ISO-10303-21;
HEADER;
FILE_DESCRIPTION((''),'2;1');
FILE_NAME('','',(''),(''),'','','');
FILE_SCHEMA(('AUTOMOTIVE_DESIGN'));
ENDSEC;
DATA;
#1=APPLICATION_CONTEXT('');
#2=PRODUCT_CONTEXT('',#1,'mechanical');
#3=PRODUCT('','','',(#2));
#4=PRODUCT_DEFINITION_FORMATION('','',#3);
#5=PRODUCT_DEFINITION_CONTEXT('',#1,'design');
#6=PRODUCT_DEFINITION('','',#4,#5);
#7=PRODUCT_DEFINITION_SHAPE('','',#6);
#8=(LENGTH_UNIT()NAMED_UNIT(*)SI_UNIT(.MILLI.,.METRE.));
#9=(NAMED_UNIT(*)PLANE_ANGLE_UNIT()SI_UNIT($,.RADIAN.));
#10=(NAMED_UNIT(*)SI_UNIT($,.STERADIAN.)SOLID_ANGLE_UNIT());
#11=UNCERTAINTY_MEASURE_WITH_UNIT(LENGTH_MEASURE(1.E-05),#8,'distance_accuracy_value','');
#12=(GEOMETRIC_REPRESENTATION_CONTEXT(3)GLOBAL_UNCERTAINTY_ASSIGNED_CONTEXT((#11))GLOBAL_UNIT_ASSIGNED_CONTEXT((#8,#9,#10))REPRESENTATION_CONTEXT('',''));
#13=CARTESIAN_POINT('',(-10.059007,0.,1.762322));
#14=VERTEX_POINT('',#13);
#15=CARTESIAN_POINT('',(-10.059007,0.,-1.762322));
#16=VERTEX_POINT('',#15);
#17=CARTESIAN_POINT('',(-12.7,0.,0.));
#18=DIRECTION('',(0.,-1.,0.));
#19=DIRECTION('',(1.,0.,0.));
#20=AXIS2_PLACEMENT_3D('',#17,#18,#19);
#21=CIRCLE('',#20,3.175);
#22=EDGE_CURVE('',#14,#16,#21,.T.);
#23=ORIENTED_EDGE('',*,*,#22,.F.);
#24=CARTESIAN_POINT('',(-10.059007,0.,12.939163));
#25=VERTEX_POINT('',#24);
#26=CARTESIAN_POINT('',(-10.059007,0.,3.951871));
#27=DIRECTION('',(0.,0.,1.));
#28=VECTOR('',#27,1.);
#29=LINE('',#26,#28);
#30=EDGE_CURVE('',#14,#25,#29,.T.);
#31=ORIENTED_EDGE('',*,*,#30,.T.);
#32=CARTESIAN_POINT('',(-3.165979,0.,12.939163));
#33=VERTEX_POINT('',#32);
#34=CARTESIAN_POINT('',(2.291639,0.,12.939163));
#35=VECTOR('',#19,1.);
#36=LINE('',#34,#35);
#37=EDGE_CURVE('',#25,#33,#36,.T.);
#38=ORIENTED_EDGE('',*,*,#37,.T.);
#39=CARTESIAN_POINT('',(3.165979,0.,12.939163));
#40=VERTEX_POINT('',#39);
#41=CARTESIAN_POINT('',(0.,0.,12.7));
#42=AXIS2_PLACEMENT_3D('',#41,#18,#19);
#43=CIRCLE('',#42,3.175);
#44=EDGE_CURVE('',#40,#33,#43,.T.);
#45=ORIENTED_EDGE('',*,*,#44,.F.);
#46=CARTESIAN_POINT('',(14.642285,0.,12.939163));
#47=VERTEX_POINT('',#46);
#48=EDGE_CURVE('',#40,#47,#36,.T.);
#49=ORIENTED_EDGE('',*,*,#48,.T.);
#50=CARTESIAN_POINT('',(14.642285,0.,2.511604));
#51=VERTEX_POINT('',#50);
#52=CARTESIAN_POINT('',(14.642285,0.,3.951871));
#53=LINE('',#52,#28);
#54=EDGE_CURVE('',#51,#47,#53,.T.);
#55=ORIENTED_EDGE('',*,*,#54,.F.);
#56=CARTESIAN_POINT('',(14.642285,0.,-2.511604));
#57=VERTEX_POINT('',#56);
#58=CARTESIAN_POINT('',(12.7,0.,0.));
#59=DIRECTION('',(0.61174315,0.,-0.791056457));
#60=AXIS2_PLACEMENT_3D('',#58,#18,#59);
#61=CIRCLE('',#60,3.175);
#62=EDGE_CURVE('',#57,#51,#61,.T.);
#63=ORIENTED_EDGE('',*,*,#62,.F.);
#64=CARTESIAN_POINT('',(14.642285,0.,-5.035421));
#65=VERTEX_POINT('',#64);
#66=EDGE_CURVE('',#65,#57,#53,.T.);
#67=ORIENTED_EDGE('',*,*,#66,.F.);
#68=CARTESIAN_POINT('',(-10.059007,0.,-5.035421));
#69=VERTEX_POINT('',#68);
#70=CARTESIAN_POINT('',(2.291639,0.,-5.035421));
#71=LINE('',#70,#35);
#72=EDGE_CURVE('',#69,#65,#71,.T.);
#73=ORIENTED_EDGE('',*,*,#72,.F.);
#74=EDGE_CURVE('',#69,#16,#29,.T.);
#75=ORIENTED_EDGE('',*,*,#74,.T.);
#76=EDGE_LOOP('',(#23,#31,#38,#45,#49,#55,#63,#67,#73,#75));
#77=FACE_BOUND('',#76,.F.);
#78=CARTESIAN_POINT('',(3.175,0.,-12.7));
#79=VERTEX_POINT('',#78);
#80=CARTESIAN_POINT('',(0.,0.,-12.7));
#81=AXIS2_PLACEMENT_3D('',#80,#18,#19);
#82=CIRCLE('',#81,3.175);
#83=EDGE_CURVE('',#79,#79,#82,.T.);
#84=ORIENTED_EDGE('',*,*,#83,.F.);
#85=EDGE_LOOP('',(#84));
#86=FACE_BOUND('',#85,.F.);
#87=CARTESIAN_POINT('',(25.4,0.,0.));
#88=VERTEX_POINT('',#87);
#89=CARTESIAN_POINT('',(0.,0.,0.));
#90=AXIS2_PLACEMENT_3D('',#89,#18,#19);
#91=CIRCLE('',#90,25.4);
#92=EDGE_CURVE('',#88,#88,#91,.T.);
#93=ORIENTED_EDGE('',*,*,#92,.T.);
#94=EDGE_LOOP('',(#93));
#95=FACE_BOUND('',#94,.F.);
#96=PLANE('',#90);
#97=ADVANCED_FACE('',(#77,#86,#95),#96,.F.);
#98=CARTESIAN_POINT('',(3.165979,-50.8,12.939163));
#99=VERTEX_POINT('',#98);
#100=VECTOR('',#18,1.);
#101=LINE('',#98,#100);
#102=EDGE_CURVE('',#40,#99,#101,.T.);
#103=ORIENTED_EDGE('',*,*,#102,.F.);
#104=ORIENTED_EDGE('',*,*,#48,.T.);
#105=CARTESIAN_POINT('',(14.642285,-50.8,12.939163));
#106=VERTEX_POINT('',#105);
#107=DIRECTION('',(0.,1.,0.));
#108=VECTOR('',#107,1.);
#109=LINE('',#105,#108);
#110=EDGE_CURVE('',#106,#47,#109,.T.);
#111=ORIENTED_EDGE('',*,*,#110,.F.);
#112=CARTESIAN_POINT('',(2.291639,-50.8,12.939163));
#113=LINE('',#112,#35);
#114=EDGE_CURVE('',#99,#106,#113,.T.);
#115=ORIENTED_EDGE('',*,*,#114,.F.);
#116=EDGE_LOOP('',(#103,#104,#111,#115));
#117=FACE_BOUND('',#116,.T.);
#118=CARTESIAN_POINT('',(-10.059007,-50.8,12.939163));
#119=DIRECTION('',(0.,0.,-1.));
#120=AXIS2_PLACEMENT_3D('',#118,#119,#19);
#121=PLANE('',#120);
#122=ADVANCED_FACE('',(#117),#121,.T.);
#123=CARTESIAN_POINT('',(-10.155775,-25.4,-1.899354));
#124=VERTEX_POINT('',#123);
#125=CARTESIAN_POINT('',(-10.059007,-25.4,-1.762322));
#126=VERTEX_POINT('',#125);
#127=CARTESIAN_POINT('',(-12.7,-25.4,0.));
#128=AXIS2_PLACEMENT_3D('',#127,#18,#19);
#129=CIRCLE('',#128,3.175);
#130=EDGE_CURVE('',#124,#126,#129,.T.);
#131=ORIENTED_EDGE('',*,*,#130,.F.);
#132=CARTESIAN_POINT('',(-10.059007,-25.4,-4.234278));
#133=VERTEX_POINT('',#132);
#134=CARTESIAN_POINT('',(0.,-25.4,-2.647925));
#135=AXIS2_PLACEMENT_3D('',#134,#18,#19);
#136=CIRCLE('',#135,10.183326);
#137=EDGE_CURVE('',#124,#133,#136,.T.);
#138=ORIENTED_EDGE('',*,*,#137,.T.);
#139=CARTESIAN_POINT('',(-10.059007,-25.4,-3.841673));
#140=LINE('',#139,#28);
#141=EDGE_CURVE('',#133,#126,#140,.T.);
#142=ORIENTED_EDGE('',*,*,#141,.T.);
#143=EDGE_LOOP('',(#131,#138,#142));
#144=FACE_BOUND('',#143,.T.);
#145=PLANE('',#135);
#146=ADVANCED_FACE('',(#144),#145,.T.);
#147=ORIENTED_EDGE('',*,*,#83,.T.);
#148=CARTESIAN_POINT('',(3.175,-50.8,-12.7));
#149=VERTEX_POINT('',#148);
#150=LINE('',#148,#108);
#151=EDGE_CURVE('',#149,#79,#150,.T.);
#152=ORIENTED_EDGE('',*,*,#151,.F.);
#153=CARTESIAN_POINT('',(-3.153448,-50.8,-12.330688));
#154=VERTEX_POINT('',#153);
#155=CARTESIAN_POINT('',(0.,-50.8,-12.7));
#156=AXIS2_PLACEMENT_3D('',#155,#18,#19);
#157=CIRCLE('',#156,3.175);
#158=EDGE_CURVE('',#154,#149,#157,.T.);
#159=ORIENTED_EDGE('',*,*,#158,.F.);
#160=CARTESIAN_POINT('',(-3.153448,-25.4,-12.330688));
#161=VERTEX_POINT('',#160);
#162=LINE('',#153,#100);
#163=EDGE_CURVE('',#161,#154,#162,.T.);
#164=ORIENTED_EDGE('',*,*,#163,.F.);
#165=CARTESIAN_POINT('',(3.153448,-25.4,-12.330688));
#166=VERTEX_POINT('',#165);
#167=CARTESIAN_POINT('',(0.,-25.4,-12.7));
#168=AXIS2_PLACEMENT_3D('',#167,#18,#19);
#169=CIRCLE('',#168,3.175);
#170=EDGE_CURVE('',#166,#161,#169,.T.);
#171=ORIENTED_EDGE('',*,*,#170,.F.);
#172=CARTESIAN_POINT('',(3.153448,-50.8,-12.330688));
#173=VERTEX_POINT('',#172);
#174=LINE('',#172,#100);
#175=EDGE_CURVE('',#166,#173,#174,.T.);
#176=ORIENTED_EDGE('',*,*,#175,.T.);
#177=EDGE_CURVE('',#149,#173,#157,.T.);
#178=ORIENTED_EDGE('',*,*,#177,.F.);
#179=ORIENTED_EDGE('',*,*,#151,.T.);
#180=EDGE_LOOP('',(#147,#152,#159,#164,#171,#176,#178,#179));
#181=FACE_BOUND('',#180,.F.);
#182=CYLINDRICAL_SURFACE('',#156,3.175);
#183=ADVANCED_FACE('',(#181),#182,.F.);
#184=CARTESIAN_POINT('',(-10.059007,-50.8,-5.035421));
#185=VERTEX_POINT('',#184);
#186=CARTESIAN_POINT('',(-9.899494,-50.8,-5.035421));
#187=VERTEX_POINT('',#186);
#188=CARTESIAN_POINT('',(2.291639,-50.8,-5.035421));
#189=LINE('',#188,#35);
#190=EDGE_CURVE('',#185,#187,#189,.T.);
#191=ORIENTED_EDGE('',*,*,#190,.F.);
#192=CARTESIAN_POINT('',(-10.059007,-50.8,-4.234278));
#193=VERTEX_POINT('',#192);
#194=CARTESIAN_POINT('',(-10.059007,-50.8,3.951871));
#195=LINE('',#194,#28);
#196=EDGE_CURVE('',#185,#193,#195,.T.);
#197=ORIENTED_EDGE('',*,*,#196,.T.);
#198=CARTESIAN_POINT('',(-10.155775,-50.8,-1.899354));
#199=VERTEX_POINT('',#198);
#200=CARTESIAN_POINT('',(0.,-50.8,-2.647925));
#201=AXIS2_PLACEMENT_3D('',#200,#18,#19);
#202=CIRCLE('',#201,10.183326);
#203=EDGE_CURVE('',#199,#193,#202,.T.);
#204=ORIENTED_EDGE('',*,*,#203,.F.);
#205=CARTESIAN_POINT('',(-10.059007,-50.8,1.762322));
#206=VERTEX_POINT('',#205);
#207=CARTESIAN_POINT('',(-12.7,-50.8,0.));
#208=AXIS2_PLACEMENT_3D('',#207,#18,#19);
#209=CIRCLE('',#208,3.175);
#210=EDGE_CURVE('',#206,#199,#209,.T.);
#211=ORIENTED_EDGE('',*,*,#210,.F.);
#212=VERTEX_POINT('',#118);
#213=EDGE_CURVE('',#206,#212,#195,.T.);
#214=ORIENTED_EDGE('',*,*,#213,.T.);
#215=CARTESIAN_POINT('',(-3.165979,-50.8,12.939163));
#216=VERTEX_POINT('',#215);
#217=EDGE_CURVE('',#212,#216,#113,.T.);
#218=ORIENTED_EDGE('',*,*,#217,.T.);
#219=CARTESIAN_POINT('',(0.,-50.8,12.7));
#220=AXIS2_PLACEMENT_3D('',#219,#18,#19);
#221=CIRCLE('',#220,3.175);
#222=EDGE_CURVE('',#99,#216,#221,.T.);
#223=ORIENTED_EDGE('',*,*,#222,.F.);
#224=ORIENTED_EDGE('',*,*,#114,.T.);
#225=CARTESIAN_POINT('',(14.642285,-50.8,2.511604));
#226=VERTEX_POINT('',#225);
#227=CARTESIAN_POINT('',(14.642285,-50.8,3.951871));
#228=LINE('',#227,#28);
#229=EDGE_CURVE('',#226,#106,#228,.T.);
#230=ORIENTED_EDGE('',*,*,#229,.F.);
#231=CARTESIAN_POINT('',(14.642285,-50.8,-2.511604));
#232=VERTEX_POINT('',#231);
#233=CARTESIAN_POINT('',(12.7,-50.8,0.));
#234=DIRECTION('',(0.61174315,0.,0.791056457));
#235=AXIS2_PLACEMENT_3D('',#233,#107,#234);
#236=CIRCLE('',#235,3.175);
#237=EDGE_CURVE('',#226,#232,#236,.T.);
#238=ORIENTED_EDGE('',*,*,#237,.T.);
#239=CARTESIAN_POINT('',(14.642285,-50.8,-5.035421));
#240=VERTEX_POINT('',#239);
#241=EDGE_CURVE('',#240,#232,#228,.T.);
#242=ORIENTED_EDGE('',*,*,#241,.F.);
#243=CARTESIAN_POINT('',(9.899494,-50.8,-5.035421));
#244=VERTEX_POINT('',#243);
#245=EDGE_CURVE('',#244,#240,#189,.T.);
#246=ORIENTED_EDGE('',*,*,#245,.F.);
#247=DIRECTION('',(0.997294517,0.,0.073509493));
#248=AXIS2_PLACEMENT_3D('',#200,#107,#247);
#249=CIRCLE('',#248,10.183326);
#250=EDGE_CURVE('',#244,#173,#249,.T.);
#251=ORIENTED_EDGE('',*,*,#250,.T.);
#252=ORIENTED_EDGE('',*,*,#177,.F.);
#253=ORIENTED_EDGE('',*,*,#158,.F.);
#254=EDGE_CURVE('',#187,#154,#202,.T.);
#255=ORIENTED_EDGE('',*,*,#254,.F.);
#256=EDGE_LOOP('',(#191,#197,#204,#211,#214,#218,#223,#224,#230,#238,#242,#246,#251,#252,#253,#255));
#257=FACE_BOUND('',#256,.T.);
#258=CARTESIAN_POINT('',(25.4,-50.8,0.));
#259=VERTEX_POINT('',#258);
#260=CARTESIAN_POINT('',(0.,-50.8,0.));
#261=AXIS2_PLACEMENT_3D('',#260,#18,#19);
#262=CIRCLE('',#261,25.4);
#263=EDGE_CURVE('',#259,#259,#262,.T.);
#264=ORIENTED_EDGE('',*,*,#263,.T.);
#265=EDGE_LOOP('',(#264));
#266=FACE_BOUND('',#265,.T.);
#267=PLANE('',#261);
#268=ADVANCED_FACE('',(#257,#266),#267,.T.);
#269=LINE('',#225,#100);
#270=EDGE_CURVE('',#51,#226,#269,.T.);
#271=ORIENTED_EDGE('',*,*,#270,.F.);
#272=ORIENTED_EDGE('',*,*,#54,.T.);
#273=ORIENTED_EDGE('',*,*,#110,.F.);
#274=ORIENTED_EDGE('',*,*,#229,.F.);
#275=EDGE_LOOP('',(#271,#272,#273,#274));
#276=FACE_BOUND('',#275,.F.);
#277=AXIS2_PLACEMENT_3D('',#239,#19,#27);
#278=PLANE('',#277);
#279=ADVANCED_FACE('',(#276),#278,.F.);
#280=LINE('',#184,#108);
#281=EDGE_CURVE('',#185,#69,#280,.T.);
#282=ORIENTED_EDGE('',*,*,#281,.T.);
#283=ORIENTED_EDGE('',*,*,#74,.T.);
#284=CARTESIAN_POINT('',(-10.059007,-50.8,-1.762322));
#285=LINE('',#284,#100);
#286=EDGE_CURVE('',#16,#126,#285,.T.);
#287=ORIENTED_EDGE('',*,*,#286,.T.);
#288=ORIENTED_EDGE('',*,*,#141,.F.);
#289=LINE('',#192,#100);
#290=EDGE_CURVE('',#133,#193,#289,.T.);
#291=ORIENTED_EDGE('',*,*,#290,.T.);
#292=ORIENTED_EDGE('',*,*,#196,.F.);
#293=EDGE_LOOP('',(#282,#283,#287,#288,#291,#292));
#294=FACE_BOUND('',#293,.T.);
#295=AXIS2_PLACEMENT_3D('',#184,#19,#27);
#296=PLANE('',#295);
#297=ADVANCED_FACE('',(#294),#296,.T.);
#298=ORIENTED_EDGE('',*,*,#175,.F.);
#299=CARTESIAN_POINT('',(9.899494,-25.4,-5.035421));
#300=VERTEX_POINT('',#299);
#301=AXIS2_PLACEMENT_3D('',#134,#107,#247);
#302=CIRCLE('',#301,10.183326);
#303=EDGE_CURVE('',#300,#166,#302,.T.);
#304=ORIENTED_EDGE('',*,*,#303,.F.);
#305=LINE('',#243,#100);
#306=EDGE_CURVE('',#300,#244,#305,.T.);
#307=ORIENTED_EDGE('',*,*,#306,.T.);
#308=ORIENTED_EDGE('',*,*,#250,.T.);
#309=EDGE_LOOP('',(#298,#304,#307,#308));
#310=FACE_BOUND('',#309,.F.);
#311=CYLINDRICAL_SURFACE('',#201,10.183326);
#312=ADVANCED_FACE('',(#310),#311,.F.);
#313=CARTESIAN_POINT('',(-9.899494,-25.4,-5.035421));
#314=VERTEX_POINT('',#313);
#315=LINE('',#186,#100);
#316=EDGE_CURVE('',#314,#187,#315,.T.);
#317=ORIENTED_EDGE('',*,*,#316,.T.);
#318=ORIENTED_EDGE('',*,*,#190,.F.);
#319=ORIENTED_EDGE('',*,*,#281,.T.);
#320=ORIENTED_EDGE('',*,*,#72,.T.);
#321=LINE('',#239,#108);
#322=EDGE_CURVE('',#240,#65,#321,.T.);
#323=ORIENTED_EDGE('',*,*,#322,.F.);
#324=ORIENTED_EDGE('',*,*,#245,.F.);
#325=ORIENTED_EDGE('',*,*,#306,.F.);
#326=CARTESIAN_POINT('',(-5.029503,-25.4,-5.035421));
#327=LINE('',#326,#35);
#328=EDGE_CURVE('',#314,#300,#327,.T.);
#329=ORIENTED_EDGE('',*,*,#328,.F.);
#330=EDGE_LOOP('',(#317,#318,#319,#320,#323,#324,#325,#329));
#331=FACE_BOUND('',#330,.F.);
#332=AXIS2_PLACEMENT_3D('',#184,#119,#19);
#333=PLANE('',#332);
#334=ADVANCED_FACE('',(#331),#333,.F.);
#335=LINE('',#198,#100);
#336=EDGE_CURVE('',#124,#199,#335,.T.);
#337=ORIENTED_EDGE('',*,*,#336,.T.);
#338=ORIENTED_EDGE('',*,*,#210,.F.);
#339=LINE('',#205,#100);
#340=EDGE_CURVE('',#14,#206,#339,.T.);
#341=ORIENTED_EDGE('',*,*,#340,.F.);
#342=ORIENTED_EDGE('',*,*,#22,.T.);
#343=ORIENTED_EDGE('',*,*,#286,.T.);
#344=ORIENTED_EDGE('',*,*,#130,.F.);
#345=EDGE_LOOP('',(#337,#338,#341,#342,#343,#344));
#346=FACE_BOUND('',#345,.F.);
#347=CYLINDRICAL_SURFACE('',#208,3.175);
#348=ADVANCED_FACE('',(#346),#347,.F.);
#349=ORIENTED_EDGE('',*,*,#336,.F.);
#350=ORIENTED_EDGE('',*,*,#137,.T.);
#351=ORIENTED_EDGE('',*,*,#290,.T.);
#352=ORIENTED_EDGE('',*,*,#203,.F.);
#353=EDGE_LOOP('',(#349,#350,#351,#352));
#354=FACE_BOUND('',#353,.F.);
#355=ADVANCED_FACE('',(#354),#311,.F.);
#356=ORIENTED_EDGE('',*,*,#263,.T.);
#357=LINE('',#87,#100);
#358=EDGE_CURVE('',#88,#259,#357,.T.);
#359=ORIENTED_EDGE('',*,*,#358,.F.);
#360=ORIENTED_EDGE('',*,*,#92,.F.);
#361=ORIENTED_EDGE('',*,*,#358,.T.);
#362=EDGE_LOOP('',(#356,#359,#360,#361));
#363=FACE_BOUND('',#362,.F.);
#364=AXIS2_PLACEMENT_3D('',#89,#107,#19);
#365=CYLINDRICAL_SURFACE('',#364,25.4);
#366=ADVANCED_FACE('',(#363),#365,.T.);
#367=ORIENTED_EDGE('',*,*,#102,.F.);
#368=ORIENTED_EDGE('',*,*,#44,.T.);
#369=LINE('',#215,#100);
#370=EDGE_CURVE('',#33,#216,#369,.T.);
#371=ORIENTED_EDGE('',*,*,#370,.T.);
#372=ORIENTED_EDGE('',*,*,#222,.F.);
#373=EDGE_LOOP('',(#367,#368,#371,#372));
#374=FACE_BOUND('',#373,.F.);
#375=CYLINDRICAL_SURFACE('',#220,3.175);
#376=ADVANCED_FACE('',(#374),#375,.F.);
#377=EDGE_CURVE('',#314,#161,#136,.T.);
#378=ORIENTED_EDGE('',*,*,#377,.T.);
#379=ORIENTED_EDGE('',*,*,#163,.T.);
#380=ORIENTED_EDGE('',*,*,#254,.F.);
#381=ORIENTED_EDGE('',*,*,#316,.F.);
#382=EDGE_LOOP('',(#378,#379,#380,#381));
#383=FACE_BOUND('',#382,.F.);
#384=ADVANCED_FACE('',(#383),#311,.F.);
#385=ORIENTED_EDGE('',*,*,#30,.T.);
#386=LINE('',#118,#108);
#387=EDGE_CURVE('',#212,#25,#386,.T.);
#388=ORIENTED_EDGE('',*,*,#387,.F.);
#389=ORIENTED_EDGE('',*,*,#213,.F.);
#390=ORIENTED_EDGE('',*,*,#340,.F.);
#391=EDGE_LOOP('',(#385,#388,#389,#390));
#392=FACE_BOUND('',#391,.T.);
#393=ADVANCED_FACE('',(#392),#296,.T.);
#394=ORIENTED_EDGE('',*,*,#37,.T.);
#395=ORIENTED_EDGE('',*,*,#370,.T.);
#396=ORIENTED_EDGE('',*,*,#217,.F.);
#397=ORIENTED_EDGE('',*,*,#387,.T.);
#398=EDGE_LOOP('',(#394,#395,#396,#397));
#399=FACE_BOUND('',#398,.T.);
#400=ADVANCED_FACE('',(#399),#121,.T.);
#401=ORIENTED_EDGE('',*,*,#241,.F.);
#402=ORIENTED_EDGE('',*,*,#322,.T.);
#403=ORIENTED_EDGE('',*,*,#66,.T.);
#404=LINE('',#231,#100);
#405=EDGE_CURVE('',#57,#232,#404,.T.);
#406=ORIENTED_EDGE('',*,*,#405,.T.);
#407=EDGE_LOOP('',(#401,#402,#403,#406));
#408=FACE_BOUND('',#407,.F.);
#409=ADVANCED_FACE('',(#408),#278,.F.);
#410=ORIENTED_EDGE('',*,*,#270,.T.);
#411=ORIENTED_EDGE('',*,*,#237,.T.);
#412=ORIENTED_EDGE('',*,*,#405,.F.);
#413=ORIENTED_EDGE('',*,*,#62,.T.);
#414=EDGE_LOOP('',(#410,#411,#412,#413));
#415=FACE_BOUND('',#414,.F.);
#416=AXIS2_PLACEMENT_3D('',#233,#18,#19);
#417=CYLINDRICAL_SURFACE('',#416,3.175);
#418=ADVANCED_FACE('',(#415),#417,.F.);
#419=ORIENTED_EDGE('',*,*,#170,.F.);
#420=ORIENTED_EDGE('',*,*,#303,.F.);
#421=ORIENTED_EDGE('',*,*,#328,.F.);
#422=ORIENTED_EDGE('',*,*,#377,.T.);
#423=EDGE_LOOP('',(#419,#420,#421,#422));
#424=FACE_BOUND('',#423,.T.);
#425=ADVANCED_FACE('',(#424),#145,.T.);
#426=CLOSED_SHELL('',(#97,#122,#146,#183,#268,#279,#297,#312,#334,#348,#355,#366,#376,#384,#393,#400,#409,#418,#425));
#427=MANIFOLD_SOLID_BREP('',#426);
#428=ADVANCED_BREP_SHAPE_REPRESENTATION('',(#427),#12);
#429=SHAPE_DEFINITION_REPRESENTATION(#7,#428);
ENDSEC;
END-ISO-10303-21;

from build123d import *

# Parameters (mm, degrees)
F0_R     = 25.4
F1_DEPTH = 50.8
F2_R     = 3.175
F3_DEPTH = 50.8
F4_R     = 10.183326
F5_DEPTH = 25.4
F6_W     = 24.701291
F6_H     = 17.974584
F7_DEPTH = 50.8


with BuildPart() as f1:
    # F0 (on Front) → F1 (new body)
    with BuildSketch(Plane.XZ):
        Circle(F0_R)
    extrude(amount=F1_DEPTH)

    # F2 (on face) → F3 (cut, through all)
    with BuildSketch(Plane.XZ.offset(50.8)):
        with Locations((0, 12.7)):
            Circle(F2_R)
        with Locations((12.7, 0)):
            Circle(F2_R)
        with Locations((0, -12.7)):
            Circle(F2_R)
        with Locations((-12.7, 0)):
            Circle(F2_R)
    extrude(amount=-F3_DEPTH, mode=Mode.SUBTRACT)

    # F4 (on face) → F5 (cut)
    with BuildSketch(Plane.XZ.offset(50.8)):
        with Locations((0, -2.647925)):
            Circle(F4_R)
    extrude(amount=-F5_DEPTH, mode=Mode.SUBTRACT)

    # F6 (on face) → F7 (cut)
    with BuildSketch(Plane.XZ.offset(50.8)):
        with Locations((2.291639, 3.951871)):
            Rectangle(F6_W, F6_H)
    extrude(amount=-F7_DEPTH, mode=Mode.SUBTRACT)


solid = f1.part
